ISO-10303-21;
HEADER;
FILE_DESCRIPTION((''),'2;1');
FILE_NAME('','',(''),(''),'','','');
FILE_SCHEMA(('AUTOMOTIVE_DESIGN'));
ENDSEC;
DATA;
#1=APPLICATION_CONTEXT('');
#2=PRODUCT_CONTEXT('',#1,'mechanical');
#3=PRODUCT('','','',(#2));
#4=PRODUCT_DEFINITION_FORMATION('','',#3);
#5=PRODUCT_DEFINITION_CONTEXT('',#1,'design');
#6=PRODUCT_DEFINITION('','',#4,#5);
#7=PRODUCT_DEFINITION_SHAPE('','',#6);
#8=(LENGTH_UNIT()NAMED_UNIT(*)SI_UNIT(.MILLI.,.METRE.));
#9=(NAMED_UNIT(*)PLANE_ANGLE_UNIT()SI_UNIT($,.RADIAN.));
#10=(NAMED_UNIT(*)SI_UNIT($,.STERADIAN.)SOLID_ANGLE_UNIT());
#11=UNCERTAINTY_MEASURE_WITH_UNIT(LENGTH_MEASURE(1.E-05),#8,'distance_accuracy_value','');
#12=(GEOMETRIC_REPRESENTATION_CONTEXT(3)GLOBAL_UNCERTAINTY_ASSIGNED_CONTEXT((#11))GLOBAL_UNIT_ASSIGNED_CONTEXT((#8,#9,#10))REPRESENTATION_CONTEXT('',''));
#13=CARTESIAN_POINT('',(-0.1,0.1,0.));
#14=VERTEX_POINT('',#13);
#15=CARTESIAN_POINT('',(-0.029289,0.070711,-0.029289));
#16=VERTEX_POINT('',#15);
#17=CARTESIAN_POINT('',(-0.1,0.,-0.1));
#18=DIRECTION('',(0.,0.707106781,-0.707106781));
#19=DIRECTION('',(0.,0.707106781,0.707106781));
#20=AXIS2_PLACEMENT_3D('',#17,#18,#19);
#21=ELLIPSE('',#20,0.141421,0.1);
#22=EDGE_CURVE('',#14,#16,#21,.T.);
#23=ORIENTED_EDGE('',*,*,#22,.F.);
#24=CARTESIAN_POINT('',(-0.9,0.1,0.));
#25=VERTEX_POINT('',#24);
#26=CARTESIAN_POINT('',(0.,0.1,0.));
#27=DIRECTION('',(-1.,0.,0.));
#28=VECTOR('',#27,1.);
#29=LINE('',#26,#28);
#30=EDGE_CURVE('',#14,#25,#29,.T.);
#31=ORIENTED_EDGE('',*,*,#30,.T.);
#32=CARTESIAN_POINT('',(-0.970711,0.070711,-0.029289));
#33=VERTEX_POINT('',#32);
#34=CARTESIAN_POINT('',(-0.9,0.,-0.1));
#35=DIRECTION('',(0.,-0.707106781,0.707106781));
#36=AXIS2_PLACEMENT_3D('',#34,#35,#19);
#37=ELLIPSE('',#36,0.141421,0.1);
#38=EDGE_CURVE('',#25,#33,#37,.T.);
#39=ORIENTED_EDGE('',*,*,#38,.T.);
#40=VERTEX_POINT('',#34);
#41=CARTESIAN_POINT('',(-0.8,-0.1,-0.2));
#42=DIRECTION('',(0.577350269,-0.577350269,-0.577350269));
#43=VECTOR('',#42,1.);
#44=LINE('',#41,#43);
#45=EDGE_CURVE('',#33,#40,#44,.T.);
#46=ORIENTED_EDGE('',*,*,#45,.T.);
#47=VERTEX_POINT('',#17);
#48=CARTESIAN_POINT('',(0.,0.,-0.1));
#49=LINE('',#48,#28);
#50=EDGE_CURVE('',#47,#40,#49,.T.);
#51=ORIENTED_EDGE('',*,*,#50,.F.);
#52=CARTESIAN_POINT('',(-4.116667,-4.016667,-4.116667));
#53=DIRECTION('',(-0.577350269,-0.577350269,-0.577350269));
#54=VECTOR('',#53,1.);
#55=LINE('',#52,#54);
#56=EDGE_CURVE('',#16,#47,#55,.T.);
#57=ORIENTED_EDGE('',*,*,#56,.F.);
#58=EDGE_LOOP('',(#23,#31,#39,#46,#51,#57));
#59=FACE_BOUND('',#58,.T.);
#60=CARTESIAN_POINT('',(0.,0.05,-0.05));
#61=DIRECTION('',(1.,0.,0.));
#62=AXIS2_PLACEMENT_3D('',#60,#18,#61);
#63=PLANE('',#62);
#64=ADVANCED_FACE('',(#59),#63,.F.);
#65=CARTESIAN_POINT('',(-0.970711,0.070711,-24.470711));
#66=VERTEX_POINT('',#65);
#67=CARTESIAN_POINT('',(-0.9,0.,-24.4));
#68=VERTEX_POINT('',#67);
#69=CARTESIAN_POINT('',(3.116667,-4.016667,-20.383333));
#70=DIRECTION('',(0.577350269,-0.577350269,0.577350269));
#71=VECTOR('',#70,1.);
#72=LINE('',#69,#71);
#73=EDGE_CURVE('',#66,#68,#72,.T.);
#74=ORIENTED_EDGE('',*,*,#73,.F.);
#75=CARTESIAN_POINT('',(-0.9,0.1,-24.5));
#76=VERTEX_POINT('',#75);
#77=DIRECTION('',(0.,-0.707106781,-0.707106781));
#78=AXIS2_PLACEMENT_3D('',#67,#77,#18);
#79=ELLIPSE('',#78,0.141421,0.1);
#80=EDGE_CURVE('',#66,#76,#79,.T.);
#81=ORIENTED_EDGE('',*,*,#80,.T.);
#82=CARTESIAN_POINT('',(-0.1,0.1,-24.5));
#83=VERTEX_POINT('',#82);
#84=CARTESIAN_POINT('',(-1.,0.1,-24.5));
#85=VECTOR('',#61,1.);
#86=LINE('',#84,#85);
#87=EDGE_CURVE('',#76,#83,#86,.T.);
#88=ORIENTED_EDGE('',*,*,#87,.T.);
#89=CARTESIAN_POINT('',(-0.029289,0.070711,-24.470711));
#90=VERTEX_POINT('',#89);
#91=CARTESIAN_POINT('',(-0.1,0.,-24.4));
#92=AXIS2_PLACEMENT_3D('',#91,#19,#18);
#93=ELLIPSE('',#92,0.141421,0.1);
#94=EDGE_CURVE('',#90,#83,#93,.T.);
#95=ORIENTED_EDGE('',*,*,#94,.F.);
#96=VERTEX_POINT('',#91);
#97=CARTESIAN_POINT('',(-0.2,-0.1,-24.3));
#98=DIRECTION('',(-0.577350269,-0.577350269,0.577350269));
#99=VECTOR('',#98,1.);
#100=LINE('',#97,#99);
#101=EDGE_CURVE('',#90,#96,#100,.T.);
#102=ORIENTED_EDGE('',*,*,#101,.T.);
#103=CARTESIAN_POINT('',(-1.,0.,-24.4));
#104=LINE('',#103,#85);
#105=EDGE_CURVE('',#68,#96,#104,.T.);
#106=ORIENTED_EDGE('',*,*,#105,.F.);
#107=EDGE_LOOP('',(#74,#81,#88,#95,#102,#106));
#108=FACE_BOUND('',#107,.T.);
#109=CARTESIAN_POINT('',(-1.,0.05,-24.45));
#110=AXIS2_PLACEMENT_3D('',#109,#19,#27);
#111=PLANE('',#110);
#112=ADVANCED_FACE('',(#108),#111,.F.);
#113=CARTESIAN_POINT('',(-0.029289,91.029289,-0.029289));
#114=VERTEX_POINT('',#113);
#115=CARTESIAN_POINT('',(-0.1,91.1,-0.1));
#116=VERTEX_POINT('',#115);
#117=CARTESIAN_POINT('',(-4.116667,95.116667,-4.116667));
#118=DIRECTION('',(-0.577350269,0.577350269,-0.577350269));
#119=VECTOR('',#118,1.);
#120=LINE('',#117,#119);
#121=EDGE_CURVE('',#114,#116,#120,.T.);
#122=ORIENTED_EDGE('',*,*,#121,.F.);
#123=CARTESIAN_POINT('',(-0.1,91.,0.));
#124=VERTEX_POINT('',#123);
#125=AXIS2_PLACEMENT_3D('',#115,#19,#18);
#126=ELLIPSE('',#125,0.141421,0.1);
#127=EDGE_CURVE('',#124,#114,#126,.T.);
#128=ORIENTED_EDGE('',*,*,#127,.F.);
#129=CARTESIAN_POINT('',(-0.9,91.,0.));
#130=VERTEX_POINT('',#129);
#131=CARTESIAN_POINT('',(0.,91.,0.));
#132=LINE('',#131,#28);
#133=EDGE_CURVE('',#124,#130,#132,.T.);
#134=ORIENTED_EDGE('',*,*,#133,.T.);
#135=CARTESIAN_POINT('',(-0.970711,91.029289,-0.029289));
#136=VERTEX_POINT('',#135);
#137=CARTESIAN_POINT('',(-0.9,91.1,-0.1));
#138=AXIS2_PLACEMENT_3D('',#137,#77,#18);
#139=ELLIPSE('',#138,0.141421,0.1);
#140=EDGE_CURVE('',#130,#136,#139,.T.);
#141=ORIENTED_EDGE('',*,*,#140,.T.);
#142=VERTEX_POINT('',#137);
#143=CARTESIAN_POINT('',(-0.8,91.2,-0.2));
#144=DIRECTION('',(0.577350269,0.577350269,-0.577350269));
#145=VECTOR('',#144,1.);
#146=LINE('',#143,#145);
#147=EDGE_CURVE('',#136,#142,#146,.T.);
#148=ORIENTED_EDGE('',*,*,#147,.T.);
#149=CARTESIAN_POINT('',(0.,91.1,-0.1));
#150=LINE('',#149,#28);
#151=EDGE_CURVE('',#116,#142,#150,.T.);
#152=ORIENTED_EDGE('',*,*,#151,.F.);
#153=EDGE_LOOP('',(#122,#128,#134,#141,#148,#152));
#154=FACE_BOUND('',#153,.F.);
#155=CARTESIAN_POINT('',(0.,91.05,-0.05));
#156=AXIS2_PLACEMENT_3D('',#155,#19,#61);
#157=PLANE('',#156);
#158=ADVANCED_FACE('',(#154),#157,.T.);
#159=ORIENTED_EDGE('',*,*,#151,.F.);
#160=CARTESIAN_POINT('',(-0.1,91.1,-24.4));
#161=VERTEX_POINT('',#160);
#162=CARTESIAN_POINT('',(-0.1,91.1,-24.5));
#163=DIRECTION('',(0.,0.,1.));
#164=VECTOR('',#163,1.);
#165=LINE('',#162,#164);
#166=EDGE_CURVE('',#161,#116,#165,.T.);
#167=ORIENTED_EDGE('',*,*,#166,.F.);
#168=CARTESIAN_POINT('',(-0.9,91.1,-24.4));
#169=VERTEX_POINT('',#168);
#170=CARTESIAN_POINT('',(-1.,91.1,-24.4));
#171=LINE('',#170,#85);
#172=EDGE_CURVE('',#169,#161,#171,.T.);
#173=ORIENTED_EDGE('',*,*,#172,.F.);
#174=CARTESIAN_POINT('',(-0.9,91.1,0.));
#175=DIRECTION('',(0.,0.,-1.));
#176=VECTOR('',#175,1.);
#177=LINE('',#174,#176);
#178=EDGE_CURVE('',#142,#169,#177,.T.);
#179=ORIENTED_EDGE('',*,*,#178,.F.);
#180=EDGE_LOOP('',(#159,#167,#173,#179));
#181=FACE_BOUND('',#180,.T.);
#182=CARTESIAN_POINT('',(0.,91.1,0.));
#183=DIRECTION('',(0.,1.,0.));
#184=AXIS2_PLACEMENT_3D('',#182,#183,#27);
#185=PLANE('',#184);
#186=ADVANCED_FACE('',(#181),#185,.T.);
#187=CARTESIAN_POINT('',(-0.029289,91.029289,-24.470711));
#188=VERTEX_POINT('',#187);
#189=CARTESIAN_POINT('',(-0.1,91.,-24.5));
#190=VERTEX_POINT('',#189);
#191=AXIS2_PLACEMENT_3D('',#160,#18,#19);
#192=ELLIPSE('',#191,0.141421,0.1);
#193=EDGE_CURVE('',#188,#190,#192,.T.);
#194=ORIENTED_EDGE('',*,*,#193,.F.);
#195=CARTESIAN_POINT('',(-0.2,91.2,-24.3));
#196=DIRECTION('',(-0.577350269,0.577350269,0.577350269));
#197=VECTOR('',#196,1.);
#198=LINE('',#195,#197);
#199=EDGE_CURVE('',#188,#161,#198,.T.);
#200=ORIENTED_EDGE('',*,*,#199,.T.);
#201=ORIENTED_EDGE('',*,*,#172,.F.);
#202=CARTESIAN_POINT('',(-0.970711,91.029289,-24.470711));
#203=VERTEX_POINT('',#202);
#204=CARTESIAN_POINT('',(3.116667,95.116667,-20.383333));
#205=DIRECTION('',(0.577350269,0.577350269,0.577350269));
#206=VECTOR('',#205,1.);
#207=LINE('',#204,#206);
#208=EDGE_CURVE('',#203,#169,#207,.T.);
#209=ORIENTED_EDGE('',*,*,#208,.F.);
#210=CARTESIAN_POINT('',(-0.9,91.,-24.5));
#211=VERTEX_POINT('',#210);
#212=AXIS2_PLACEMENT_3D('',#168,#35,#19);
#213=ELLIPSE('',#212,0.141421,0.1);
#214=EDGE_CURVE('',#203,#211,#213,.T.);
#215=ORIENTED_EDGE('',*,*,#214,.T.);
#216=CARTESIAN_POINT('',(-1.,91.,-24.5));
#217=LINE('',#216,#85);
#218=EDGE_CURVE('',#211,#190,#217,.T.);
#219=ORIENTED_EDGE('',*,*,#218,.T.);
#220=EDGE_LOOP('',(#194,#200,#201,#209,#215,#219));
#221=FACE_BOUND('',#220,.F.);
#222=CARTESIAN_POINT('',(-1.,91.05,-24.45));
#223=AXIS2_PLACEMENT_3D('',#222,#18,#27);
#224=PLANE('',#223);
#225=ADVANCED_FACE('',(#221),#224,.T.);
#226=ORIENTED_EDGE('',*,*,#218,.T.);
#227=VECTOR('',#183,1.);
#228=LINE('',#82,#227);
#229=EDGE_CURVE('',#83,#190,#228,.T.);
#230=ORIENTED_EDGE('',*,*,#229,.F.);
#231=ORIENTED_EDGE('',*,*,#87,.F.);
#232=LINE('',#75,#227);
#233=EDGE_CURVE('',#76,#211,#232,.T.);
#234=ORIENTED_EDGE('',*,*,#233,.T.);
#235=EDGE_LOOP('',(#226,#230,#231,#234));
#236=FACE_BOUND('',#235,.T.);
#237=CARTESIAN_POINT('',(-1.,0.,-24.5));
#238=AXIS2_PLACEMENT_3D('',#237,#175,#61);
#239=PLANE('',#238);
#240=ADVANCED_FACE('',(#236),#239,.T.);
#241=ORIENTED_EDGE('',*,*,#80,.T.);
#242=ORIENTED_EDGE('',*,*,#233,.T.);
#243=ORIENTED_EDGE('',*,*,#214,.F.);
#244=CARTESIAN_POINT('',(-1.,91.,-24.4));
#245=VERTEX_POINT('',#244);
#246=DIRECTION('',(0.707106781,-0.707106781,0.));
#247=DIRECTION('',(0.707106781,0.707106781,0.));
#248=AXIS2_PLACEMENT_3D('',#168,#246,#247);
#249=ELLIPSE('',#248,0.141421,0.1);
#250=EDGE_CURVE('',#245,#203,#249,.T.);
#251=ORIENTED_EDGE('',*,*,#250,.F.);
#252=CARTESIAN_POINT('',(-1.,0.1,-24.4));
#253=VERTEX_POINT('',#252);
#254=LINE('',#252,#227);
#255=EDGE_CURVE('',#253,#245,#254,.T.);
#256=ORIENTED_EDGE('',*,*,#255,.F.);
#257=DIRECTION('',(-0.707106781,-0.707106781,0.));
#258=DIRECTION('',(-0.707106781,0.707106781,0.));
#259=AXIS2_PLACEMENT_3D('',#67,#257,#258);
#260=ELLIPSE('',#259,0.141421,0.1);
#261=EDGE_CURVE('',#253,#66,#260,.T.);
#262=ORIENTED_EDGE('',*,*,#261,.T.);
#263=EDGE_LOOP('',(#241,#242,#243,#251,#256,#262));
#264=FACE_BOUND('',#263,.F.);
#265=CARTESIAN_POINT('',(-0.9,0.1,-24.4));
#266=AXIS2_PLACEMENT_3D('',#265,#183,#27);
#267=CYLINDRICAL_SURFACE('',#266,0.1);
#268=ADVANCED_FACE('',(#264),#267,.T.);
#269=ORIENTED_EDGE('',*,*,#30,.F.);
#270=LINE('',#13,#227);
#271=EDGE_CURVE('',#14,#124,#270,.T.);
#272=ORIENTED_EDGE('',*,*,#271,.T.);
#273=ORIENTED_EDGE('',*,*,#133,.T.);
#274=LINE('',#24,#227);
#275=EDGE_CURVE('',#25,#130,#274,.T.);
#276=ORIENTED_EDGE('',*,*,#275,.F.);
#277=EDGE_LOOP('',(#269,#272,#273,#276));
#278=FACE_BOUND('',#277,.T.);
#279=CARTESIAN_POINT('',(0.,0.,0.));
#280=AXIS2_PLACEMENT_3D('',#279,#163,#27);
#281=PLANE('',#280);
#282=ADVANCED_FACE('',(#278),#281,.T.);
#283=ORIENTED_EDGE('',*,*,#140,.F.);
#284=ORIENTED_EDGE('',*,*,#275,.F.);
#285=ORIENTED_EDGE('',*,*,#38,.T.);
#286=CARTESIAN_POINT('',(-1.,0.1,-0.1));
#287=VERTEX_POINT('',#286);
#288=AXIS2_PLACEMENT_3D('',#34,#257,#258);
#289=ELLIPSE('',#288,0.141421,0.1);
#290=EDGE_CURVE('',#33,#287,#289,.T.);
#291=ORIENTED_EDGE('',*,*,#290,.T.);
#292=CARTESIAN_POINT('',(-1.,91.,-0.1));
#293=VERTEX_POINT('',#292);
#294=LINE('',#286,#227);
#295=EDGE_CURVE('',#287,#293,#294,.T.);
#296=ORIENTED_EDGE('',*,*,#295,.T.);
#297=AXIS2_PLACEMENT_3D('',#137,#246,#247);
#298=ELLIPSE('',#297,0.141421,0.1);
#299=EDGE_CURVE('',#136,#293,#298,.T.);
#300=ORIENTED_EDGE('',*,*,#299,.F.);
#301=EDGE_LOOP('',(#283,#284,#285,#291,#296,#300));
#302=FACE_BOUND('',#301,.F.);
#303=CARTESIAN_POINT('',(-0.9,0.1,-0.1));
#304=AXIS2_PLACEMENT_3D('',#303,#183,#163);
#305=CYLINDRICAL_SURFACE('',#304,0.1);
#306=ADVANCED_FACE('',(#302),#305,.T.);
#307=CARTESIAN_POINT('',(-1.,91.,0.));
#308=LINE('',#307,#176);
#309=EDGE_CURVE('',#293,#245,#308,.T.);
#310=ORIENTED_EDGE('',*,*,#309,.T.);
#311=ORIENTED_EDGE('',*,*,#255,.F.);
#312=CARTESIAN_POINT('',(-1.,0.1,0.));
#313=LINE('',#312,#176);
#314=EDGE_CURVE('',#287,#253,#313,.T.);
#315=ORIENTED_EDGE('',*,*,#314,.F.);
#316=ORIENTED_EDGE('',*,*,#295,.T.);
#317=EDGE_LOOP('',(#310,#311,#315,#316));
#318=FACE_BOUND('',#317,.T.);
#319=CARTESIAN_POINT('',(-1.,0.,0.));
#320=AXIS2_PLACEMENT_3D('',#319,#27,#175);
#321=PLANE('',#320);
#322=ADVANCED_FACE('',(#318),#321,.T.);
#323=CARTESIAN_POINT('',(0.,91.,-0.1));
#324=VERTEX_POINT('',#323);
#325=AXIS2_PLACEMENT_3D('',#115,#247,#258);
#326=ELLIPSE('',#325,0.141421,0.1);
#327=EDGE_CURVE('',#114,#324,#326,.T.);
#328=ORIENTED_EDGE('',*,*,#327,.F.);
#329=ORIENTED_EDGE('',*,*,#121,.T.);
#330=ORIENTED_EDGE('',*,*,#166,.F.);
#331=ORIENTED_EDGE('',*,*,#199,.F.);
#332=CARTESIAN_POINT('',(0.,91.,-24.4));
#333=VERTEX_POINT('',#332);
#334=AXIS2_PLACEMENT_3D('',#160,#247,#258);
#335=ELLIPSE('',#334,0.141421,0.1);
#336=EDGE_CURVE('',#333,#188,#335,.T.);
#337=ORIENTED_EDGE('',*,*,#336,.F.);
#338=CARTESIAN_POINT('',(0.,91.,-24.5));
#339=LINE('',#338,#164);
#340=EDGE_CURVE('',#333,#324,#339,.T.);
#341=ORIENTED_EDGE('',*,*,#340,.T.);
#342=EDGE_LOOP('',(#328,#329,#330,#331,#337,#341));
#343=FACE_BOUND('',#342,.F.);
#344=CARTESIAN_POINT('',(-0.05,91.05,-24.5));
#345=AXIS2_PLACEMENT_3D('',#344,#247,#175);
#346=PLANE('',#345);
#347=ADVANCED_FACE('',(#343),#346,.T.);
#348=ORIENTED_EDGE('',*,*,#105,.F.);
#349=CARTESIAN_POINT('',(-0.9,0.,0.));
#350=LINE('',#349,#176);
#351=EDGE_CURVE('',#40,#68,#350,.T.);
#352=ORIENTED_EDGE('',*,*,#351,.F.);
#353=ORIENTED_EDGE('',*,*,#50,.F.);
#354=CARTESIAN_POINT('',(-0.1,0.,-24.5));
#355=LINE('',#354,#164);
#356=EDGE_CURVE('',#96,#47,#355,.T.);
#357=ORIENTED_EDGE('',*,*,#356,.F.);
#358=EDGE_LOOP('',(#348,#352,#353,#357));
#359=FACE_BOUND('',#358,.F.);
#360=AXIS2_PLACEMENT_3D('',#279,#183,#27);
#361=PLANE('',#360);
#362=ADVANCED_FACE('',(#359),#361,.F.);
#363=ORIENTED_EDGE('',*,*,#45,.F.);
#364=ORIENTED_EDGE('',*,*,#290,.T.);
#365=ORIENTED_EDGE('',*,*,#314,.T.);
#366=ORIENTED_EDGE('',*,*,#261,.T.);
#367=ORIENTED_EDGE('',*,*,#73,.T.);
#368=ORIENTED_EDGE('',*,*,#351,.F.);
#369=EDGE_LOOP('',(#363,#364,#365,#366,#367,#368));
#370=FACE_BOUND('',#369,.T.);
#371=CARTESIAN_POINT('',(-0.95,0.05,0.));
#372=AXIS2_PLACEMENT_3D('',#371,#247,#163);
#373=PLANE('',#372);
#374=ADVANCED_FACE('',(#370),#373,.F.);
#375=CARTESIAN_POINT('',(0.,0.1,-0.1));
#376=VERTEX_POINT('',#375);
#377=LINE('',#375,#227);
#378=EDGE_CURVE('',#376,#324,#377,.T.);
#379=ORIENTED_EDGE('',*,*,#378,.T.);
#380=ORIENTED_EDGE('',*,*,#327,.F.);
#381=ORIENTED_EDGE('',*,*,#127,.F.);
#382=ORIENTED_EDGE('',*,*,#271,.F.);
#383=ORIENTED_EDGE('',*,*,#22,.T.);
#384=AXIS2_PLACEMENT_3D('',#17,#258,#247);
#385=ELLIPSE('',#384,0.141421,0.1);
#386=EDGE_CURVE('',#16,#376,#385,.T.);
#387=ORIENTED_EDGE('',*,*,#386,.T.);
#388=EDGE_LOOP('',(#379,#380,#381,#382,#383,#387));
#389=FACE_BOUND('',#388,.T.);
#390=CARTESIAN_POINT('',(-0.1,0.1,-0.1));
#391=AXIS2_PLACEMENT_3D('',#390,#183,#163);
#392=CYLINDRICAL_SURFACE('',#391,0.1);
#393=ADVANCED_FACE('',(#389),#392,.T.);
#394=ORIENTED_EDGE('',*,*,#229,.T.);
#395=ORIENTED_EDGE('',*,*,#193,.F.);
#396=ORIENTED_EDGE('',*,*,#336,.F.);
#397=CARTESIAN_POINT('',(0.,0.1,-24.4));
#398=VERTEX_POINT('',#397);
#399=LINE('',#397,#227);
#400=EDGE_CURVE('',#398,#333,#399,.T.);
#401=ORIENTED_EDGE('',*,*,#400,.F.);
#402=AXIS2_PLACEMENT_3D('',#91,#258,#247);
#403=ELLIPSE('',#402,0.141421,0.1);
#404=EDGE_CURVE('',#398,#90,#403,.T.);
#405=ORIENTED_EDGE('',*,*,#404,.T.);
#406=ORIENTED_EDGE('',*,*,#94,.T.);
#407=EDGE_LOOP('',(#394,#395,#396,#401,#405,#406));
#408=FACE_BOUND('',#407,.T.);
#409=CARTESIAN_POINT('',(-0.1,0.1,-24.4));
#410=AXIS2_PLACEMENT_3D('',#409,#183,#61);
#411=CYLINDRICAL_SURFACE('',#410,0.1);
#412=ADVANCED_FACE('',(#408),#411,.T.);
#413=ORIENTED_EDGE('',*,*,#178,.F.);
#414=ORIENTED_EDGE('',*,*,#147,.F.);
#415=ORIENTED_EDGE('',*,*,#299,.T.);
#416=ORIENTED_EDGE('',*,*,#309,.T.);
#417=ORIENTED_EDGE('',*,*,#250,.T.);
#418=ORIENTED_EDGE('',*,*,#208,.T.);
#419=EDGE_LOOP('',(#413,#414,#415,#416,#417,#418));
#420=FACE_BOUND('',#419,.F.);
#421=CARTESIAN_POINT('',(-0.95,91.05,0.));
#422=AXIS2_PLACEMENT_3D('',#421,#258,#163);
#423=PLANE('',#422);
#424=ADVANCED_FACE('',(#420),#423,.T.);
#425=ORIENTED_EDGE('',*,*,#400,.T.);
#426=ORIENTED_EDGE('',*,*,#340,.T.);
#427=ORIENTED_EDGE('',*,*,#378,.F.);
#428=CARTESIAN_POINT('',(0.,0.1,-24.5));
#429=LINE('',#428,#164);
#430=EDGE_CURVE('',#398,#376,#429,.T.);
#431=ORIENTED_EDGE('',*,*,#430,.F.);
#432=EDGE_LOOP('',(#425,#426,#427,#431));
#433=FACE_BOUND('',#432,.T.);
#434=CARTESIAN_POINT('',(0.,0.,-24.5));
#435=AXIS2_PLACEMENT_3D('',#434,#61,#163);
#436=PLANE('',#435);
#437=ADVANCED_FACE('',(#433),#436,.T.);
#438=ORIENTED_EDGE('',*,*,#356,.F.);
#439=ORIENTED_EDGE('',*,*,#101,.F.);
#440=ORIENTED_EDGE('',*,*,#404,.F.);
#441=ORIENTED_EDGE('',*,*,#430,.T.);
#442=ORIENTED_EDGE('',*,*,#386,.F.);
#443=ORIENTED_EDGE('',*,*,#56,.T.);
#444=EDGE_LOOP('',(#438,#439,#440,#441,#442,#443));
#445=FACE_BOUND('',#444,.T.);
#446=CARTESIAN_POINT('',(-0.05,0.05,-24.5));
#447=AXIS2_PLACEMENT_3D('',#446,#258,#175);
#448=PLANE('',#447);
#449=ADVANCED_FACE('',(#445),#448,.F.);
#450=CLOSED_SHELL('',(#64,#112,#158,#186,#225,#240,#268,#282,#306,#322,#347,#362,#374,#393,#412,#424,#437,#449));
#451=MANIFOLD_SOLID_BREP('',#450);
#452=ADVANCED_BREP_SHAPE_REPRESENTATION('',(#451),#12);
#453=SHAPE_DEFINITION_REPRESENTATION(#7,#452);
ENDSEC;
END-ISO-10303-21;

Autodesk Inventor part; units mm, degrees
ref_plane "YZ Plane" through (0, 0, 0) normal (1, 0, 0) x (0, 1, 0)
ref_plane "XZ Plane" through (0, 0, 0) normal (0, 1, 0) x (-1, 0, 0)
ref_plane "XY Plane" through (0, 0, 0) normal (0, 0, 1) x (1, 0, 0)
sketch "Sketch1" plane through (0, 0, 0) normal (0, 1, 0) x (-1, 0, 0)
  line L0 (0, 0) -> (1, 0)
  line L1 (1, 0) -> (1, -24.5)
  line L2 (1, -24.5) -> (0, -24.5)
  line L3 (0, -24.5) -> (0, 0)
  dimension "d0" = 1
  dimension "d1" = 24.5
extrude "Extrusion1" add sketch "Sketch1" along normal blind 91.1
chamfer "Chamfer1" distance 0.1 angle 45 8 edges at (0, 91.1, -12.25) (-1, 91.1, -12.25) (0, 0, -12.25) (-1, 0, -12.25) (-0.5, 91.1, 0) (-0.5, 91.1, -24.5) (-0.5, 0, 0) (-0.5, 0, -24.5)
fillet "Fillet1" radius 0.1 4 edges at (-1, 45.55, 0) (0, 45.55, 0) (-1, 45.55, -24.5) (0, 45.55, -24.5)
properties part number "floor"
